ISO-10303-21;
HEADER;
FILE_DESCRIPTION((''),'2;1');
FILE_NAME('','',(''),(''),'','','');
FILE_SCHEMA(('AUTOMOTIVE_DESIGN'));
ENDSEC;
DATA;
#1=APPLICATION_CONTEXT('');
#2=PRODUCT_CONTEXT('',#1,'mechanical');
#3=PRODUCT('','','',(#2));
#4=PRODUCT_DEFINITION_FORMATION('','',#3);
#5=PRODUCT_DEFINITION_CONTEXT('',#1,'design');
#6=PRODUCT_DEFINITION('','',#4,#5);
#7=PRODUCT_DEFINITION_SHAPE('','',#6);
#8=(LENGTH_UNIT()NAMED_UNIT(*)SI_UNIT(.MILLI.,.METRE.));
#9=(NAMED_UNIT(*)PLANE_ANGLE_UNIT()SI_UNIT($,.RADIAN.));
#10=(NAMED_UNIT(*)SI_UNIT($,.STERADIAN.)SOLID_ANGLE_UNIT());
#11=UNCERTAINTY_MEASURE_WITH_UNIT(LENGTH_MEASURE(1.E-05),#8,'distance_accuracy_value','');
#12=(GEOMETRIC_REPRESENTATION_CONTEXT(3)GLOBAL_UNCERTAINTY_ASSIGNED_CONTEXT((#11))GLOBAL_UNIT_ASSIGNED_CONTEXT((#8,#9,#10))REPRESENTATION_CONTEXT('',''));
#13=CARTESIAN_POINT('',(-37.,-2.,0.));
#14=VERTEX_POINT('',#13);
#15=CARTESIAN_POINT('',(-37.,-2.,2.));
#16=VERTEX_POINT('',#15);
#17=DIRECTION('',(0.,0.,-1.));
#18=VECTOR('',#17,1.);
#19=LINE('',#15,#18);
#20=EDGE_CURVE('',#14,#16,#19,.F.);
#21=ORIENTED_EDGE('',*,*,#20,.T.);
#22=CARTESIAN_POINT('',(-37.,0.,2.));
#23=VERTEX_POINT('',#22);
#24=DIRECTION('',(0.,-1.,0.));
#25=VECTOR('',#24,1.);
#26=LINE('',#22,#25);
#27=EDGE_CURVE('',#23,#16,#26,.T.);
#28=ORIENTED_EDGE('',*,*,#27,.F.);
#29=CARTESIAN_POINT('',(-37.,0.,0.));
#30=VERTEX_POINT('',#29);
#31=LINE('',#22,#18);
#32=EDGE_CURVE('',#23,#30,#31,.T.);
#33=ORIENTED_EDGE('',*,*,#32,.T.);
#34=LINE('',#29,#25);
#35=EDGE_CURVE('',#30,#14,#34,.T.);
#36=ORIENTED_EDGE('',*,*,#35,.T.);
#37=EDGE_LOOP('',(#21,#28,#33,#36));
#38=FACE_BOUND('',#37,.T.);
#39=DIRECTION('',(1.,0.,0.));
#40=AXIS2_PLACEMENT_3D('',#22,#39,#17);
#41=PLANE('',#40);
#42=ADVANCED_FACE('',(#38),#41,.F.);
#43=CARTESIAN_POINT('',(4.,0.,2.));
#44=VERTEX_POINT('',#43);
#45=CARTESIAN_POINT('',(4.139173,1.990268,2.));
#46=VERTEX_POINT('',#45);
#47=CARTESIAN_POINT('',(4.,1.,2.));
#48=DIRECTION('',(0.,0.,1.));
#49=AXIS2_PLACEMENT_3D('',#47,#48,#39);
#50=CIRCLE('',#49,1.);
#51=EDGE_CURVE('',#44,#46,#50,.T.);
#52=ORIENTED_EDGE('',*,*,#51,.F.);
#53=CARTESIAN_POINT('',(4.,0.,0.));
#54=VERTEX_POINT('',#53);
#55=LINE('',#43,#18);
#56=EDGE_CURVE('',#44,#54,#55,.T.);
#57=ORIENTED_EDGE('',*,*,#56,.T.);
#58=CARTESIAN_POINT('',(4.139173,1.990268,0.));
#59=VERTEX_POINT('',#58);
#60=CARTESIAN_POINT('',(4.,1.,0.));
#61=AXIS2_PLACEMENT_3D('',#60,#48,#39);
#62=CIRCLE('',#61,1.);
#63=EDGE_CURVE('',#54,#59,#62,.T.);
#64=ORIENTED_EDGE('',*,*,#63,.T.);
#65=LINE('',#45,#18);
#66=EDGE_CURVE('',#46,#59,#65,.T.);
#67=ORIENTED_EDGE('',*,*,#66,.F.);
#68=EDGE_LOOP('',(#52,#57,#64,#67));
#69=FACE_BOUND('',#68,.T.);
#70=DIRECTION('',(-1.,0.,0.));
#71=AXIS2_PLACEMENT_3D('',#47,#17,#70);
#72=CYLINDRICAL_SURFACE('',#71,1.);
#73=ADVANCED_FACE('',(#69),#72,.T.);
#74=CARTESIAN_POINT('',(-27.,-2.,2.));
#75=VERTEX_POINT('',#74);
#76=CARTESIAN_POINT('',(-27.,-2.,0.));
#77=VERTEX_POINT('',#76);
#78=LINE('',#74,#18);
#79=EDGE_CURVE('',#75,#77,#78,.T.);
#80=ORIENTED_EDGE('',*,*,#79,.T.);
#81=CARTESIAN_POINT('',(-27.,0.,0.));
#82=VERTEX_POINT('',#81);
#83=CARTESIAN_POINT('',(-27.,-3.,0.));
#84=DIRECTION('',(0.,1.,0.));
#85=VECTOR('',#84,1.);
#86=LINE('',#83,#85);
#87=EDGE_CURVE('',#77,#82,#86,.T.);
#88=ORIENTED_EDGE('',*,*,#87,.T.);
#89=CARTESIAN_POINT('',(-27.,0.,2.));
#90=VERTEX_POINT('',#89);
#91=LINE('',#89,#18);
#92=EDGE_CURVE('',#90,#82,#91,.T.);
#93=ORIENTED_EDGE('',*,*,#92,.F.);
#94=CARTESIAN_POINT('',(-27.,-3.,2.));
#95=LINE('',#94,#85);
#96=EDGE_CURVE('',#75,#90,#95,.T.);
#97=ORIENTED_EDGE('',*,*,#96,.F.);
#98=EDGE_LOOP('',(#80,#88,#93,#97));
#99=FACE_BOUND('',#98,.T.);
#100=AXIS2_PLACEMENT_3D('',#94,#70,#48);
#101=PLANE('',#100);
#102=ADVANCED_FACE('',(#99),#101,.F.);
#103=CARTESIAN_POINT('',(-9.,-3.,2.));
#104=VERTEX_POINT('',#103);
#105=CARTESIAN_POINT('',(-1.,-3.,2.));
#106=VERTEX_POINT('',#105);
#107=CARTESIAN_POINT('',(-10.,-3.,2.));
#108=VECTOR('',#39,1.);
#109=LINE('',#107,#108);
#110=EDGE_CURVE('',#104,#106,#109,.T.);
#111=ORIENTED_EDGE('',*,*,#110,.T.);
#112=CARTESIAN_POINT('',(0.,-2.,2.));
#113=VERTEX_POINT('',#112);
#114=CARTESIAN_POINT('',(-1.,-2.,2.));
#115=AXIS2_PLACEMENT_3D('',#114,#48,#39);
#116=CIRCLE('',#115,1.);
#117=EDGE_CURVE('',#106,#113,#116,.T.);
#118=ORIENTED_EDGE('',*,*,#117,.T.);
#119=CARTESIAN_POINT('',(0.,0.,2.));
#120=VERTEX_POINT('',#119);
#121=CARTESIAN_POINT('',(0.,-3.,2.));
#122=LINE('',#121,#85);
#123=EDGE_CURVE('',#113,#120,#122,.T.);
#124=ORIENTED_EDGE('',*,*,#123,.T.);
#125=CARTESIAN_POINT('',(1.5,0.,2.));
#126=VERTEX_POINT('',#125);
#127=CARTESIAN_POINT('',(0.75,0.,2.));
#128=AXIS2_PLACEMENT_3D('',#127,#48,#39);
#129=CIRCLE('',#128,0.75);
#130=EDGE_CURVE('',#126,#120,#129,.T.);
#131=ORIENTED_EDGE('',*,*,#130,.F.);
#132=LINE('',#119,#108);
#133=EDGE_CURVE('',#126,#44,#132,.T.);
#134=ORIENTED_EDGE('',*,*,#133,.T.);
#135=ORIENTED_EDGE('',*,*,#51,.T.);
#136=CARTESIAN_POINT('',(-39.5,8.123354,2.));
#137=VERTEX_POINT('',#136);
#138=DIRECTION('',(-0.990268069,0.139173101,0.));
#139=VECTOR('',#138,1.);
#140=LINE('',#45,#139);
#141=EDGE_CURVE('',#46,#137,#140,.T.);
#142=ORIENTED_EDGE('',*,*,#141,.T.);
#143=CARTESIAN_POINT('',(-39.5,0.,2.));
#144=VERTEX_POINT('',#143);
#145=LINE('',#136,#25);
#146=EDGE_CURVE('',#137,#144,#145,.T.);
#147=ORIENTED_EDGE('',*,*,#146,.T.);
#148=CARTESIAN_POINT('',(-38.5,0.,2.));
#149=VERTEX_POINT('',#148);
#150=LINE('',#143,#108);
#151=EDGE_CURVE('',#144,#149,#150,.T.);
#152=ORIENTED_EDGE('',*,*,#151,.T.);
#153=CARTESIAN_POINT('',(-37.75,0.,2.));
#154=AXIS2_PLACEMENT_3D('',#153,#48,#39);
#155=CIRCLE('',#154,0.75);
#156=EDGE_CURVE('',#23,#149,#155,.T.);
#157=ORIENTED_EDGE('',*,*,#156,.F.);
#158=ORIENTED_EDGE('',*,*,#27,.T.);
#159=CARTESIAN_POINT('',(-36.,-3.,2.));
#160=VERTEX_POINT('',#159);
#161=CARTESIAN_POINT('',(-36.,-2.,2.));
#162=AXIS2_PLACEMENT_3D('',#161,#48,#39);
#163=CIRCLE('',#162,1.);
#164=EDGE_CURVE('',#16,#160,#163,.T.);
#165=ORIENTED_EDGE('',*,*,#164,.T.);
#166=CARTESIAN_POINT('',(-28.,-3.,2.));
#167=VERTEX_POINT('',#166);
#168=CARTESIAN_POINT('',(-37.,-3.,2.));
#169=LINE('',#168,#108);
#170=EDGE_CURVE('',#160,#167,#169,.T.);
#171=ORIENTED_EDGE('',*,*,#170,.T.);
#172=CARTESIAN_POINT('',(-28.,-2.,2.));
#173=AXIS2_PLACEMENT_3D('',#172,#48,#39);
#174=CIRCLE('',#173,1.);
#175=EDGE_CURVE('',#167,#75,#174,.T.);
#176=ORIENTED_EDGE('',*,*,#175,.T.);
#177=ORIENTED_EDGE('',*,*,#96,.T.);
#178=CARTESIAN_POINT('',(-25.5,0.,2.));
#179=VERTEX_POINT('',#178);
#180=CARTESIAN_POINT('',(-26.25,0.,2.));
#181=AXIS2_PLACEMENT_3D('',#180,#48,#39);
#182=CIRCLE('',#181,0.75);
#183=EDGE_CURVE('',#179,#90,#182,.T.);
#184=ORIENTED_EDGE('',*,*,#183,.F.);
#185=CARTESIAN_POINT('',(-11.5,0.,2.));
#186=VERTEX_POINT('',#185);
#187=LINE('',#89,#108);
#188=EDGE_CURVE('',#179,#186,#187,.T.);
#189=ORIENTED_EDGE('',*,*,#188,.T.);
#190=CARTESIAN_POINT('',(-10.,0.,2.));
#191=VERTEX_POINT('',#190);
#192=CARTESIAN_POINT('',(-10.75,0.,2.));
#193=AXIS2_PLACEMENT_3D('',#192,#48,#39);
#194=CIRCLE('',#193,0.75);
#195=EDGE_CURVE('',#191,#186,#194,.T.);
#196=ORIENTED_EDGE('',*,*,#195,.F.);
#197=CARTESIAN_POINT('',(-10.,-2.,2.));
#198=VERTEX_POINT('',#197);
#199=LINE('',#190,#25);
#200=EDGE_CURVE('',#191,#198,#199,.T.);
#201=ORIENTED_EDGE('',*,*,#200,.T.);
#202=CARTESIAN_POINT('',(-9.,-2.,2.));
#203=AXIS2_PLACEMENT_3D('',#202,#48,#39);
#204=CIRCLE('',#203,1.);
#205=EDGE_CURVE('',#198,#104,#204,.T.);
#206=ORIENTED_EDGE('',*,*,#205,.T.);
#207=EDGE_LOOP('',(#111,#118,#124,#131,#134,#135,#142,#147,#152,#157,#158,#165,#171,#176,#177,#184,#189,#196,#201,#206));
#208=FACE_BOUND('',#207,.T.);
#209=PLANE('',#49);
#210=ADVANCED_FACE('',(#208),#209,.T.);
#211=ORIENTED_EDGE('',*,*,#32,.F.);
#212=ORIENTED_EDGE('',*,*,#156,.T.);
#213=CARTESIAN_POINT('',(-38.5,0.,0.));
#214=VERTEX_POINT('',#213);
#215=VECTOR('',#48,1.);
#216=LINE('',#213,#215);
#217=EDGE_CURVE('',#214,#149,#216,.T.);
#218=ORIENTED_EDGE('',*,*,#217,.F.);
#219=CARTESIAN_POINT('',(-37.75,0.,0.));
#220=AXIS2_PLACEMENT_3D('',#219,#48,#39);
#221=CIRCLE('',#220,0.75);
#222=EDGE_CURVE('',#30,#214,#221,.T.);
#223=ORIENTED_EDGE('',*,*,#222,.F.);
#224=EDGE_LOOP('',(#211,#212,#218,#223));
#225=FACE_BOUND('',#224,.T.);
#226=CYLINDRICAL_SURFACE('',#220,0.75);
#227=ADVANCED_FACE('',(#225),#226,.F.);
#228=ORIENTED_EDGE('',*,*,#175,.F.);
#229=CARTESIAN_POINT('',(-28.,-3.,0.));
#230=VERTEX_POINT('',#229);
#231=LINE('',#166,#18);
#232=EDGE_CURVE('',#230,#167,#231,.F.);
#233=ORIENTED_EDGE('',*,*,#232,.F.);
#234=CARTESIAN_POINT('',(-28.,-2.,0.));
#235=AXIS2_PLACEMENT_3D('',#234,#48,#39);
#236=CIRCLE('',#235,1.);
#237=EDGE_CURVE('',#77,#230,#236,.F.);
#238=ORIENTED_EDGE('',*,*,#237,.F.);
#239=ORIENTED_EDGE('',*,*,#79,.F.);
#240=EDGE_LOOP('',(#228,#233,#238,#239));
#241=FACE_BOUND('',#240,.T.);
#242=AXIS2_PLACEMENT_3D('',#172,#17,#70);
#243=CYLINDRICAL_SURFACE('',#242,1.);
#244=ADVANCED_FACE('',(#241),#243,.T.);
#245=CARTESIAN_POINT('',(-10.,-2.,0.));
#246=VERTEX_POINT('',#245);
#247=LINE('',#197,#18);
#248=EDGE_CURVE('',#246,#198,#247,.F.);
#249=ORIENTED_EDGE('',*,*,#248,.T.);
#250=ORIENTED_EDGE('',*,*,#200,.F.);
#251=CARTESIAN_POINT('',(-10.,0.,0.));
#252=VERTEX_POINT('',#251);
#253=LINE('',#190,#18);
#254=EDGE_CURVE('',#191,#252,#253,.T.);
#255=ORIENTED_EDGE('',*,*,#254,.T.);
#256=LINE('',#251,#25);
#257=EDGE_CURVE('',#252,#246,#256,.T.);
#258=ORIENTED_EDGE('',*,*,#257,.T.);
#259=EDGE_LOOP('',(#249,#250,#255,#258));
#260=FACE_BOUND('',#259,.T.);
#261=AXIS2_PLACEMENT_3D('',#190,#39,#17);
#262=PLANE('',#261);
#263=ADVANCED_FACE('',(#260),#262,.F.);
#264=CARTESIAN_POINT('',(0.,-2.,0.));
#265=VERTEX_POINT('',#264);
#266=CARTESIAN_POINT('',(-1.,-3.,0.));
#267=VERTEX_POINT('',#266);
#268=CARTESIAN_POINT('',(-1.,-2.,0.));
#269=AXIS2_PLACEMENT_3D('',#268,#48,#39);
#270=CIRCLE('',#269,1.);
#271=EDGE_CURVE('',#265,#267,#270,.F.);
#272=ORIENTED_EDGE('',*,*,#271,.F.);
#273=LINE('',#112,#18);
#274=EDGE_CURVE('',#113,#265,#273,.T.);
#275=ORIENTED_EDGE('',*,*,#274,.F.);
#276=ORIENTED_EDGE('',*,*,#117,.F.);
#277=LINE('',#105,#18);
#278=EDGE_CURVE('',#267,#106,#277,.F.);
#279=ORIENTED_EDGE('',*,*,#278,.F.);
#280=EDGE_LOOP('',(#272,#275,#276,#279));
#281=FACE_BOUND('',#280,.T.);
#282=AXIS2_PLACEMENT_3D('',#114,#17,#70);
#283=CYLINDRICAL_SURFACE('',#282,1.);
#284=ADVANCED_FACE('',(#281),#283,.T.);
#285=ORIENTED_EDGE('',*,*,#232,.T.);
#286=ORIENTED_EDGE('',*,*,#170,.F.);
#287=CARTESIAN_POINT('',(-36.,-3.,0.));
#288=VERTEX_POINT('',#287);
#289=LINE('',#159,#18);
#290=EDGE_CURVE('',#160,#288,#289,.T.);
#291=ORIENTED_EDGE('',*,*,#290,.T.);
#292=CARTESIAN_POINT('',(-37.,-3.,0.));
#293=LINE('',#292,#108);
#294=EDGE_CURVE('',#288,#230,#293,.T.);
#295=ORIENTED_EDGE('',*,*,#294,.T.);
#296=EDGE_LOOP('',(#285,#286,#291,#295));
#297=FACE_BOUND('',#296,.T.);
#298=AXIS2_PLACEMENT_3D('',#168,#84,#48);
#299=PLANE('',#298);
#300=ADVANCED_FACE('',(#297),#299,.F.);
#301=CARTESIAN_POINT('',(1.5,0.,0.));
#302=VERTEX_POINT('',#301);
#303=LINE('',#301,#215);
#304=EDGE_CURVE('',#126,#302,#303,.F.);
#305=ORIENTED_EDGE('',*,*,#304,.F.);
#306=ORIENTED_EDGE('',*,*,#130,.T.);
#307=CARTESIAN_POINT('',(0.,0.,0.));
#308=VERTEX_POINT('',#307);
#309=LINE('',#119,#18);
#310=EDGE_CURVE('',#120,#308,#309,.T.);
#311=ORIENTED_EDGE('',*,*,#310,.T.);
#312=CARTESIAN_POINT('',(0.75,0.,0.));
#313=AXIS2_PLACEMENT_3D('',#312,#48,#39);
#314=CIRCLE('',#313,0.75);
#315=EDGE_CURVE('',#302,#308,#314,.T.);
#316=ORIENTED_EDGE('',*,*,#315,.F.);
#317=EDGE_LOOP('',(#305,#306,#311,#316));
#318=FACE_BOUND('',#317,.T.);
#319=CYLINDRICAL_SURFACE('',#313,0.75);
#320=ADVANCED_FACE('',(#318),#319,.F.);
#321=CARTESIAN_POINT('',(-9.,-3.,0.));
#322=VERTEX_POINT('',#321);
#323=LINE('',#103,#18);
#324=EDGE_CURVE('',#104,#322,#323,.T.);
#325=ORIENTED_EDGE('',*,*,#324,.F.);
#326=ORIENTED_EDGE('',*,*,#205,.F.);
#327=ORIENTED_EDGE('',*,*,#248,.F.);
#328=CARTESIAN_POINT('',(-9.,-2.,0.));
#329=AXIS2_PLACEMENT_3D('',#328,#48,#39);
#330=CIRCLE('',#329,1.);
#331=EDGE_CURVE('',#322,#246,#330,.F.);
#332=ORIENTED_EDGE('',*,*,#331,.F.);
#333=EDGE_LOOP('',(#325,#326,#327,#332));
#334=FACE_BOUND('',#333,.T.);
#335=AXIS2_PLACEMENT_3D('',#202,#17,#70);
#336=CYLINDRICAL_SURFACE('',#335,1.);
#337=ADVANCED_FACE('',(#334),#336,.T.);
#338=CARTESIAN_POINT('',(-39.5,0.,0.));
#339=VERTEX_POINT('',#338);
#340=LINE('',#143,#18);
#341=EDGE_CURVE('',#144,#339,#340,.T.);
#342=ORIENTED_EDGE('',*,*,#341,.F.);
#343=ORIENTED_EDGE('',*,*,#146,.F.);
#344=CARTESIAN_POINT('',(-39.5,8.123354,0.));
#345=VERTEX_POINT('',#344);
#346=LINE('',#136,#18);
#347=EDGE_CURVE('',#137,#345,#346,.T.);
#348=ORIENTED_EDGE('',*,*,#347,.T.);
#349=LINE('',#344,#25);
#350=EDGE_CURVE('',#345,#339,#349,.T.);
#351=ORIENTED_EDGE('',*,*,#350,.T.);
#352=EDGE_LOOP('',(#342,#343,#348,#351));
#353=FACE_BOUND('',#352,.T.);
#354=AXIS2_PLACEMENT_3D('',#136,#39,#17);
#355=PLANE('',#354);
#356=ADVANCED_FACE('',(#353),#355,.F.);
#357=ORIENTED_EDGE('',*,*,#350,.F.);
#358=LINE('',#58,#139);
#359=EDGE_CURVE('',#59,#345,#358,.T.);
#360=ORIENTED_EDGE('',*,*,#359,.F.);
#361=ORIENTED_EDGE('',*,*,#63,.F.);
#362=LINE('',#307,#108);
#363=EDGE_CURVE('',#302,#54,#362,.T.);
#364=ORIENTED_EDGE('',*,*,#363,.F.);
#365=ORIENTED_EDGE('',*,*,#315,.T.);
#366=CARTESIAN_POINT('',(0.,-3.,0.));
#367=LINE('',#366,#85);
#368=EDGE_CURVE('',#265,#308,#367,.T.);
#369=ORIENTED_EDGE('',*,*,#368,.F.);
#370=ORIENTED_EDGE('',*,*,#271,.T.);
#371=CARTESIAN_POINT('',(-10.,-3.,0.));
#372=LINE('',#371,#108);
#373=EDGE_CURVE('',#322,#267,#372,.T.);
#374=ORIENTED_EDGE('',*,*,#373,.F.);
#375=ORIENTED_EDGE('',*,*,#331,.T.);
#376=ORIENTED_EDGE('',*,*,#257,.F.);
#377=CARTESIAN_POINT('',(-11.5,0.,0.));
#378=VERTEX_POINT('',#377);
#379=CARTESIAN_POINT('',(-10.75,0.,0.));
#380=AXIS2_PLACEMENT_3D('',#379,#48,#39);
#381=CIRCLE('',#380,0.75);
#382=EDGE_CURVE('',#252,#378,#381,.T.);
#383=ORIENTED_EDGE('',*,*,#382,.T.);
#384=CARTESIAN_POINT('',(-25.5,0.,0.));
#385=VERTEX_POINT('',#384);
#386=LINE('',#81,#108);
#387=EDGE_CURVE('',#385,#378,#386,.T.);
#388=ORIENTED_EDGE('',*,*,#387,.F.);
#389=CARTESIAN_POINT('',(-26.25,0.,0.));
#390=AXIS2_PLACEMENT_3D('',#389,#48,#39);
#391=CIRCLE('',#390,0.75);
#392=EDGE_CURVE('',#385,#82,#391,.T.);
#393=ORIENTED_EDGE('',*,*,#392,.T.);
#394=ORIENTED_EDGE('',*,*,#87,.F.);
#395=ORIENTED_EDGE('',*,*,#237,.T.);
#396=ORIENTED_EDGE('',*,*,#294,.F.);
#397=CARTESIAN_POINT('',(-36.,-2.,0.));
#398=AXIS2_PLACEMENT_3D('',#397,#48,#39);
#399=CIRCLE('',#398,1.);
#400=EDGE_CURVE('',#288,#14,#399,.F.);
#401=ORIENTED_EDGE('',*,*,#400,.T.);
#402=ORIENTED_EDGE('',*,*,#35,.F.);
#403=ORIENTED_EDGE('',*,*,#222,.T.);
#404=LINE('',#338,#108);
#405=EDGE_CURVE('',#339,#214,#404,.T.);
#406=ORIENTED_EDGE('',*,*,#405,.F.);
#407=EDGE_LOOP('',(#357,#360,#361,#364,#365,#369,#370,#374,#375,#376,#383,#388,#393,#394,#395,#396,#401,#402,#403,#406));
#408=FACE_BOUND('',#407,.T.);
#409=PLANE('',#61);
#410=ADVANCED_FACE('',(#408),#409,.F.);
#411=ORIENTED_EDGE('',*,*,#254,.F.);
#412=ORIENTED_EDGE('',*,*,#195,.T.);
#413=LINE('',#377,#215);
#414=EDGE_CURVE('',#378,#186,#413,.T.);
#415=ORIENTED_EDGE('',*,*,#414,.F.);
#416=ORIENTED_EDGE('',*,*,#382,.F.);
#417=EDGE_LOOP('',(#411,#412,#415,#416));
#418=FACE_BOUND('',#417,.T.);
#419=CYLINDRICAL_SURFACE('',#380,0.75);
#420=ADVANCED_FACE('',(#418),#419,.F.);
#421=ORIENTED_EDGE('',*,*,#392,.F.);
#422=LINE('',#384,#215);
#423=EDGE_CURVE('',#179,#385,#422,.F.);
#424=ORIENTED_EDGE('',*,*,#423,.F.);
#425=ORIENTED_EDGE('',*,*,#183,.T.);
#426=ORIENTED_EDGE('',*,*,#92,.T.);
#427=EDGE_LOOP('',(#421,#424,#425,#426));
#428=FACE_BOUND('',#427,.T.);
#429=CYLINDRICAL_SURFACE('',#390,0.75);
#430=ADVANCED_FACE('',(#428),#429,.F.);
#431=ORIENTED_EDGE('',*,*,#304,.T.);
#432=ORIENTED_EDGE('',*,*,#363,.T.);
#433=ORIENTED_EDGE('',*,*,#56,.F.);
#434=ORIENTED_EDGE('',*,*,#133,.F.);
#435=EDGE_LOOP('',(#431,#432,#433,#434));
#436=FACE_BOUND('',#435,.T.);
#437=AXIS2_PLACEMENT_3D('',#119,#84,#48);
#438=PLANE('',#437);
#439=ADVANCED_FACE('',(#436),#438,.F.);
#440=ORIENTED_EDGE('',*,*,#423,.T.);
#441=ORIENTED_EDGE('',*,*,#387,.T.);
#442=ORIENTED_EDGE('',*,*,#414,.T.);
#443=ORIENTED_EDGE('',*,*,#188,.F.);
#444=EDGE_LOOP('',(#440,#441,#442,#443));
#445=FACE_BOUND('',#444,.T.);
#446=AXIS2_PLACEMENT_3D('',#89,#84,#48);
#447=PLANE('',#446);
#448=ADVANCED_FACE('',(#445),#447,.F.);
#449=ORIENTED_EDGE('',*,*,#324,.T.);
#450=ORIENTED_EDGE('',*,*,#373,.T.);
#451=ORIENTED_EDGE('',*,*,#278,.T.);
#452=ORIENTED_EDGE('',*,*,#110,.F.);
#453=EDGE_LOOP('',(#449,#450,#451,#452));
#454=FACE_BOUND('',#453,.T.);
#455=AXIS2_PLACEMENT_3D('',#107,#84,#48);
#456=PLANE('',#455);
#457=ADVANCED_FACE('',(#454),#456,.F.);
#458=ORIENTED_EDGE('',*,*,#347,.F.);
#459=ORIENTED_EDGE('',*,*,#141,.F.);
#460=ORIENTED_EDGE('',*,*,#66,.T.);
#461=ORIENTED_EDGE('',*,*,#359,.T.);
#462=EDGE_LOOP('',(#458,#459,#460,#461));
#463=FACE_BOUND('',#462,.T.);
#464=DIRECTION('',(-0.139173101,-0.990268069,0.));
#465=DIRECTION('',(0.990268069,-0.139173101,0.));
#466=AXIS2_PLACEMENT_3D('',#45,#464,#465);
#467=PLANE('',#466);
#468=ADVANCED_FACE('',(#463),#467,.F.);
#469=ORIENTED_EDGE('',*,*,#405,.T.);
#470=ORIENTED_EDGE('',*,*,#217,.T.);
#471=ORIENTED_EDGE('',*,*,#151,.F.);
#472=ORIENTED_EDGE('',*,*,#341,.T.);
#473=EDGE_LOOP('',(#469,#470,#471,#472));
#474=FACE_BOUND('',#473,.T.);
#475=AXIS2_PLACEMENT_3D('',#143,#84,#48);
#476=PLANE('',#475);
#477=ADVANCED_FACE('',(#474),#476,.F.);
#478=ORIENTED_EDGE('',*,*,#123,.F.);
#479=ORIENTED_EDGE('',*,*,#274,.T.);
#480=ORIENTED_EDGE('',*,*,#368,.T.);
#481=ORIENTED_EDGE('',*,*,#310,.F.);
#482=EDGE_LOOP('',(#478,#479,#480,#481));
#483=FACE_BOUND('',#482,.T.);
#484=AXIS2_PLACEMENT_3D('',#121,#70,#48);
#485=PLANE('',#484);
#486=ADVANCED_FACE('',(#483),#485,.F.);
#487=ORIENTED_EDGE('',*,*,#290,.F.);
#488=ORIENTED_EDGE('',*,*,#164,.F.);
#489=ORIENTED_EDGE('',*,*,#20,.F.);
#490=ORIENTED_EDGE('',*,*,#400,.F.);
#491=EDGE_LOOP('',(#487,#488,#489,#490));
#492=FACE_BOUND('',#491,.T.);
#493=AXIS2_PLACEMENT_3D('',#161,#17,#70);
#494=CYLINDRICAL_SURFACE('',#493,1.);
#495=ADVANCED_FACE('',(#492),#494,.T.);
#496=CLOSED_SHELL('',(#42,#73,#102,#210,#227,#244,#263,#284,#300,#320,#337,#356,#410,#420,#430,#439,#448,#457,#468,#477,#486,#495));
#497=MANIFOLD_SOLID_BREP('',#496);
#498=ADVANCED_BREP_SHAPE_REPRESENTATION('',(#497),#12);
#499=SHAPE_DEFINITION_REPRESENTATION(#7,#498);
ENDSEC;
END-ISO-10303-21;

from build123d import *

# Parameters (mm, degrees)
EXTRUDE_1_DEPTH     = 2
SKETCH_2_R          = 0.75
CUT_EXTRUDE_1_DEPTH = 41.376216741
FILLET_1_R          = 1


with BuildPart() as part:
    # 草图1 → 凸台-拉伸1 (new body)
    with BuildSketch(Plane.XY):
        with BuildLine():
            Line((4.139173101, 1.990268069), (-39.5, 8.123353882))
            Line((-39.5, 8.123353882), (-39.5, 0))
            Line((-39.5, 0), (-37, 0))
            Line((-37, 0), (-37, -3))
            Line((-37, -3), (-27, -3))
            Line((-27, -3), (-27, 0))
            Line((-27, 0), (-10, 0))
            Line((-10, 0), (-10, -3))
            Line((-10, -3), (0, -3))
            Line((0, -3), (0, 0))
            Line((0, 0), (4, 0))
            ThreePointArc((4, 0), (4.99756405, 0.930243526), (4.139173101, 1.990268069))
        make_face()
    extrude(amount=EXTRUDE_1_DEPTH)

    # 草图2 → 切除-拉伸1 (cut, through all)
    with BuildSketch(Plane.XY.offset(2)):
        with Locations((-37.75, 0)):
            Circle(SKETCH_2_R)
        with Locations((-26.25, 0)):
            Circle(SKETCH_2_R)
        with Locations((-10.75, 0)):
            Circle(SKETCH_2_R)
        with Locations((0.75, 0)):
            Circle(SKETCH_2_R)
    extrude(amount=-CUT_EXTRUDE_1_DEPTH, mode=Mode.SUBTRACT)

    # 圆角1
    fillet_1_edges = [part.edges().sort_by_distance(p)[0] for p in [
        (0, -3, 1),
        (-10, -3, 1),
        (-27, -3, 1),
        (-37, -3, 1),
    ]]
    fillet(fillet_1_edges, radius=FILLET_1_R)


solid = part.part
